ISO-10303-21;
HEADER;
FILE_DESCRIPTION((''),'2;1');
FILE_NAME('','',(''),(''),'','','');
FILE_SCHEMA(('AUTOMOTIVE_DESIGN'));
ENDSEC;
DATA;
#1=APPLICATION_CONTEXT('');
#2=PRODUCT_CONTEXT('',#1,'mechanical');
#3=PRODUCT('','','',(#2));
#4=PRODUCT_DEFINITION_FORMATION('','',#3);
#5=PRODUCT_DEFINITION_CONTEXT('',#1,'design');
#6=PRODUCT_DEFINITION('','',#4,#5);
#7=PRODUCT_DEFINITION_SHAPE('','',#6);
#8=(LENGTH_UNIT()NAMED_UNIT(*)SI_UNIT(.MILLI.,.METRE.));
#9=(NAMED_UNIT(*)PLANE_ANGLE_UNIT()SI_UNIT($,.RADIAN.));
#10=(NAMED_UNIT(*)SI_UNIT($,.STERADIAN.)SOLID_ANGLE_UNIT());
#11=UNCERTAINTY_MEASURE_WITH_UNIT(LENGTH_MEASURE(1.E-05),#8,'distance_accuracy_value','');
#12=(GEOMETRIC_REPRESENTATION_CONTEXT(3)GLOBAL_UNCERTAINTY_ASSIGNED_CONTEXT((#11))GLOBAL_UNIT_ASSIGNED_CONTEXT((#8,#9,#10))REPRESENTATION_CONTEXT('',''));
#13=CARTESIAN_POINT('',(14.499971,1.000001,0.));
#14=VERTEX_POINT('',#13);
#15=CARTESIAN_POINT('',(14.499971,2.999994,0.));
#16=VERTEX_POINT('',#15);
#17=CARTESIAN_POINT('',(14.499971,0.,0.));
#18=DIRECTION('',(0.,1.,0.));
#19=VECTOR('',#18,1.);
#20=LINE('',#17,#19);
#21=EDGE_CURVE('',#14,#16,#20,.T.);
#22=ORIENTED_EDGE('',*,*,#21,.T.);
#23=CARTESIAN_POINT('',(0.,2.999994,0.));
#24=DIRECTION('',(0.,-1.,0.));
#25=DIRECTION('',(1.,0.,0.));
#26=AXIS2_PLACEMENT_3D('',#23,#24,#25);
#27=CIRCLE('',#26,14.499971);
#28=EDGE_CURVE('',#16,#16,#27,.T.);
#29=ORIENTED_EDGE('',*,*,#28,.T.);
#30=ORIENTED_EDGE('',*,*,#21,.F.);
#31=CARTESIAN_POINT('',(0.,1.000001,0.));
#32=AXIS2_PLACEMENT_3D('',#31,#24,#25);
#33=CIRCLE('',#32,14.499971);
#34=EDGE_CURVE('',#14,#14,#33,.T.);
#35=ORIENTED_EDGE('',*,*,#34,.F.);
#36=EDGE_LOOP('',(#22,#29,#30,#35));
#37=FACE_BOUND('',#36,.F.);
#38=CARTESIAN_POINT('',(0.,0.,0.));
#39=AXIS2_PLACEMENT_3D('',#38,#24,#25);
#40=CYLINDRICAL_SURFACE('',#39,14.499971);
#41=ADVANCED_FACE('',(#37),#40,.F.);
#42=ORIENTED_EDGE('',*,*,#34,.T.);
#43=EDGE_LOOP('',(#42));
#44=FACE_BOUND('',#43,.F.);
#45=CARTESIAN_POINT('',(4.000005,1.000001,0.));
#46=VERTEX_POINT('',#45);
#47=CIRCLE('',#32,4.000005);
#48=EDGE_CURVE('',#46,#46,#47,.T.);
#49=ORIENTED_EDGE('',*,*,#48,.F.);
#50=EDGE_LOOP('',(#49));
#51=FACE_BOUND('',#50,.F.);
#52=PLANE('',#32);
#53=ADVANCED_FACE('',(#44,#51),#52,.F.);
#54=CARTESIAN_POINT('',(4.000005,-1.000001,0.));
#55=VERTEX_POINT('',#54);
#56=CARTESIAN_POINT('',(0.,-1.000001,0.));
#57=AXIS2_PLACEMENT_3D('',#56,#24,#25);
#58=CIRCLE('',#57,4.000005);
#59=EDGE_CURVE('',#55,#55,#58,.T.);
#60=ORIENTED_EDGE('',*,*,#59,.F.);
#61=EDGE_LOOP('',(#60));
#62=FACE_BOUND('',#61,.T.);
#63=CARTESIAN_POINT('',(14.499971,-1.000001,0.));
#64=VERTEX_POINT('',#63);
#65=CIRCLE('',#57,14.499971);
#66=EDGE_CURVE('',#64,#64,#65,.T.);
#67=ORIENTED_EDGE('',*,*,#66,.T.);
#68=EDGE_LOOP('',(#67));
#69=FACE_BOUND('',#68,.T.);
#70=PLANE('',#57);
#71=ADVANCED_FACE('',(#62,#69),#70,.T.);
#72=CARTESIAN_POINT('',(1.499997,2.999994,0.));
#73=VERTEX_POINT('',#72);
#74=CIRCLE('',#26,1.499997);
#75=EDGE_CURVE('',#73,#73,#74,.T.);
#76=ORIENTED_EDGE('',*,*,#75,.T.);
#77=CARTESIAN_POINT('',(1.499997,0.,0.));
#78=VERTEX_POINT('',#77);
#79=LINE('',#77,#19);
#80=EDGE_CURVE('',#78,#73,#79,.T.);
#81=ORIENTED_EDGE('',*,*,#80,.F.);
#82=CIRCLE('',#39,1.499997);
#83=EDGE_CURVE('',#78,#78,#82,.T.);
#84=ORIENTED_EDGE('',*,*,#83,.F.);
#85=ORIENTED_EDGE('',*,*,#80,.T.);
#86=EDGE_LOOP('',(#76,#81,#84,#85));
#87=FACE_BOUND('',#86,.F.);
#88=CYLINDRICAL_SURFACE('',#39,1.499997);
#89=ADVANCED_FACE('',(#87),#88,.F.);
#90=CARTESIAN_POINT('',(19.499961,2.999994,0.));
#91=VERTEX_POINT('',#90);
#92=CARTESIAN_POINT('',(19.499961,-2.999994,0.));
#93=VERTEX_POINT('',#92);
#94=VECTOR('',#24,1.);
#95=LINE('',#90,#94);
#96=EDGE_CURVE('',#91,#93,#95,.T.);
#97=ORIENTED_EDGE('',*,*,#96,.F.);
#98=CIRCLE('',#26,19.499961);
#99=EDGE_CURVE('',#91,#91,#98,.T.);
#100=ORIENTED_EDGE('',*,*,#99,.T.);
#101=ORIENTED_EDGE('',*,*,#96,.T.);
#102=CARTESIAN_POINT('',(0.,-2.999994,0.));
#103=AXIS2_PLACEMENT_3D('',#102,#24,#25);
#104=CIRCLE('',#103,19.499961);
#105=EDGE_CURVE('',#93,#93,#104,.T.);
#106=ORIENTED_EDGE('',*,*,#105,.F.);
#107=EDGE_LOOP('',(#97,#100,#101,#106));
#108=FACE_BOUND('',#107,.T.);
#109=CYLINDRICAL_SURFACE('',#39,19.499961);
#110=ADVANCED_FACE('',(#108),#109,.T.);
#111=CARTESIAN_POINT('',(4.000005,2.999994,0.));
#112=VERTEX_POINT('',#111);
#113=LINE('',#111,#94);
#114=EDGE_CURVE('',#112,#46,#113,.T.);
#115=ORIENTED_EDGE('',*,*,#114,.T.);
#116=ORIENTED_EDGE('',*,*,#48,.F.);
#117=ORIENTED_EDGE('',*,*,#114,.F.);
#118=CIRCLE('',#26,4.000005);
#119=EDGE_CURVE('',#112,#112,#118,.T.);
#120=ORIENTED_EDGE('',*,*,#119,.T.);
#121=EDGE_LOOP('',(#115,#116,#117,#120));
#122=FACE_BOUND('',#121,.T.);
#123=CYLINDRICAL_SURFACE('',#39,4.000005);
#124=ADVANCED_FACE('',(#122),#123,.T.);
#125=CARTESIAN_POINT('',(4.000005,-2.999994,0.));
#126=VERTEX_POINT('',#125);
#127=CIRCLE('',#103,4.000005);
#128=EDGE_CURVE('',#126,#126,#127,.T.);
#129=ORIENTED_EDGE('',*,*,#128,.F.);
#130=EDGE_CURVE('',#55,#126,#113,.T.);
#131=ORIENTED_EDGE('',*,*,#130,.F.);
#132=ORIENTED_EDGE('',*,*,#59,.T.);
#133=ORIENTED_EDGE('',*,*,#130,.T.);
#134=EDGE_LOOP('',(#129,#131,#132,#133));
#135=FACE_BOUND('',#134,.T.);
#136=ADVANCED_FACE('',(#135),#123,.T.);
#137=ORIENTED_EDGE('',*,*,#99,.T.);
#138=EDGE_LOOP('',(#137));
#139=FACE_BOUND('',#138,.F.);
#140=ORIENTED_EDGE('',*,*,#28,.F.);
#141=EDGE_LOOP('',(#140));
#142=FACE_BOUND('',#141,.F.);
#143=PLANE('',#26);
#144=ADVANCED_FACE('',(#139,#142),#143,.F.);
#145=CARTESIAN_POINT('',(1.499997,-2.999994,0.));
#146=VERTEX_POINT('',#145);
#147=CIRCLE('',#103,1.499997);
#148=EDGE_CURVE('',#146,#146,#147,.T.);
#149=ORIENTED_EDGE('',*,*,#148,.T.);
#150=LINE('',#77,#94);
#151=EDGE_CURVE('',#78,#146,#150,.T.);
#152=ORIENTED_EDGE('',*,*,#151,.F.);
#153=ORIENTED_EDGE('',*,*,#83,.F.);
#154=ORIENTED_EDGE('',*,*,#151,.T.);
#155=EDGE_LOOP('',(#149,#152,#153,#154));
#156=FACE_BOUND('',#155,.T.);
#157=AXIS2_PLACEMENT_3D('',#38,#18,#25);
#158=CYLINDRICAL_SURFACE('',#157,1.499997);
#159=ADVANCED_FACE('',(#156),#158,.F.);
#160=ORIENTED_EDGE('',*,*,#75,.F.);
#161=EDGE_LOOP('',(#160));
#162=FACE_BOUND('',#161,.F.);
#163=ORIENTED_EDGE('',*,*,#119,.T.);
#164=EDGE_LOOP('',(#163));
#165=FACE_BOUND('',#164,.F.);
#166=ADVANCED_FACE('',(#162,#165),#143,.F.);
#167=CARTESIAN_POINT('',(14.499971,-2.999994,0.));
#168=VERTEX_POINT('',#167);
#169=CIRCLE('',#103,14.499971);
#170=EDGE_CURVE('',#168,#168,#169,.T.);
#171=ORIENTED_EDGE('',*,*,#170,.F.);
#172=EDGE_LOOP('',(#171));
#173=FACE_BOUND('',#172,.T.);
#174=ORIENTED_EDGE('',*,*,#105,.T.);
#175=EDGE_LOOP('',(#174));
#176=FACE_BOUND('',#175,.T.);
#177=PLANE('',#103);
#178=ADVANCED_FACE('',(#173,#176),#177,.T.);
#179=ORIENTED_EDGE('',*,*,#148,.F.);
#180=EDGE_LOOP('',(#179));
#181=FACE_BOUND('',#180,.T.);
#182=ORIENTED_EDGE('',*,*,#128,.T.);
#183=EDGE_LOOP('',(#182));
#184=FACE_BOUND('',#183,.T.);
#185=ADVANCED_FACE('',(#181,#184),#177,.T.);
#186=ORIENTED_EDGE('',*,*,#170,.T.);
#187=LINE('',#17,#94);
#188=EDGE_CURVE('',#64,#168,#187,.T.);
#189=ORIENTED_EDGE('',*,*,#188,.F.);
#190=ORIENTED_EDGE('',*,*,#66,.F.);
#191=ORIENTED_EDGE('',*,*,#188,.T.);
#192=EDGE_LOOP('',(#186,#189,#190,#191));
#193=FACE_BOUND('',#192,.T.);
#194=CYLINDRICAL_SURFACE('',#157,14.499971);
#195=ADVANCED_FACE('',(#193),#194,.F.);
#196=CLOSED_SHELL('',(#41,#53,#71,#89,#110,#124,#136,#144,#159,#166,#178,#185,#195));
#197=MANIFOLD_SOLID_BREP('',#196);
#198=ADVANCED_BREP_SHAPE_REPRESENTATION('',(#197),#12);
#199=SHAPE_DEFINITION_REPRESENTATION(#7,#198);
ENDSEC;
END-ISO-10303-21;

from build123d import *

# Parameters (mm, degrees)
F0_R     = 4.000005
F0_R_2   = 1.499997
F1_DEPTH = 2.999994
F2_DEPTH = 2.999994
F0_R_3   = 14.499971
F3_DEPTH = 1.000001
F4_DEPTH = 1.000001
F0_R_4   = 19.499961
F5_DEPTH = 2.999994
F6_DEPTH = 2.999994


with BuildPart() as f1:
    # F0 (on Front) → F1 (new body)
    with BuildSketch(Plane.XZ):
        Circle(F0_R)
        Circle(F0_R_2, mode=Mode.SUBTRACT)
    extrude(amount=F1_DEPTH)

    # F0 (on Front) → F2 (join)
    with BuildSketch(Plane.XZ):
        Circle(F0_R)
        Circle(F0_R_2, mode=Mode.SUBTRACT)
    extrude(amount=-F2_DEPTH)

    # F0 (on Front) → F3 (join)
    with BuildSketch(Plane.XZ):
        Circle(F0_R_3)
        Circle(F0_R, mode=Mode.SUBTRACT)
    extrude(amount=F3_DEPTH)

    # F0 (on Front) → F4 (join)
    with BuildSketch(Plane.XZ):
        Circle(F0_R_3)
        Circle(F0_R, mode=Mode.SUBTRACT)
    extrude(amount=-F4_DEPTH)

    # F0 (on Front) → F5 (join)
    with BuildSketch(Plane.XZ):
        Circle(F0_R_4)
        Circle(F0_R_3, mode=Mode.SUBTRACT)
    extrude(amount=F5_DEPTH)

    # F0 (on Front) → F6 (join)
    with BuildSketch(Plane.XZ):
        Circle(F0_R_4)
        Circle(F0_R_3, mode=Mode.SUBTRACT)
    extrude(amount=-F6_DEPTH)


solid = f1.part
